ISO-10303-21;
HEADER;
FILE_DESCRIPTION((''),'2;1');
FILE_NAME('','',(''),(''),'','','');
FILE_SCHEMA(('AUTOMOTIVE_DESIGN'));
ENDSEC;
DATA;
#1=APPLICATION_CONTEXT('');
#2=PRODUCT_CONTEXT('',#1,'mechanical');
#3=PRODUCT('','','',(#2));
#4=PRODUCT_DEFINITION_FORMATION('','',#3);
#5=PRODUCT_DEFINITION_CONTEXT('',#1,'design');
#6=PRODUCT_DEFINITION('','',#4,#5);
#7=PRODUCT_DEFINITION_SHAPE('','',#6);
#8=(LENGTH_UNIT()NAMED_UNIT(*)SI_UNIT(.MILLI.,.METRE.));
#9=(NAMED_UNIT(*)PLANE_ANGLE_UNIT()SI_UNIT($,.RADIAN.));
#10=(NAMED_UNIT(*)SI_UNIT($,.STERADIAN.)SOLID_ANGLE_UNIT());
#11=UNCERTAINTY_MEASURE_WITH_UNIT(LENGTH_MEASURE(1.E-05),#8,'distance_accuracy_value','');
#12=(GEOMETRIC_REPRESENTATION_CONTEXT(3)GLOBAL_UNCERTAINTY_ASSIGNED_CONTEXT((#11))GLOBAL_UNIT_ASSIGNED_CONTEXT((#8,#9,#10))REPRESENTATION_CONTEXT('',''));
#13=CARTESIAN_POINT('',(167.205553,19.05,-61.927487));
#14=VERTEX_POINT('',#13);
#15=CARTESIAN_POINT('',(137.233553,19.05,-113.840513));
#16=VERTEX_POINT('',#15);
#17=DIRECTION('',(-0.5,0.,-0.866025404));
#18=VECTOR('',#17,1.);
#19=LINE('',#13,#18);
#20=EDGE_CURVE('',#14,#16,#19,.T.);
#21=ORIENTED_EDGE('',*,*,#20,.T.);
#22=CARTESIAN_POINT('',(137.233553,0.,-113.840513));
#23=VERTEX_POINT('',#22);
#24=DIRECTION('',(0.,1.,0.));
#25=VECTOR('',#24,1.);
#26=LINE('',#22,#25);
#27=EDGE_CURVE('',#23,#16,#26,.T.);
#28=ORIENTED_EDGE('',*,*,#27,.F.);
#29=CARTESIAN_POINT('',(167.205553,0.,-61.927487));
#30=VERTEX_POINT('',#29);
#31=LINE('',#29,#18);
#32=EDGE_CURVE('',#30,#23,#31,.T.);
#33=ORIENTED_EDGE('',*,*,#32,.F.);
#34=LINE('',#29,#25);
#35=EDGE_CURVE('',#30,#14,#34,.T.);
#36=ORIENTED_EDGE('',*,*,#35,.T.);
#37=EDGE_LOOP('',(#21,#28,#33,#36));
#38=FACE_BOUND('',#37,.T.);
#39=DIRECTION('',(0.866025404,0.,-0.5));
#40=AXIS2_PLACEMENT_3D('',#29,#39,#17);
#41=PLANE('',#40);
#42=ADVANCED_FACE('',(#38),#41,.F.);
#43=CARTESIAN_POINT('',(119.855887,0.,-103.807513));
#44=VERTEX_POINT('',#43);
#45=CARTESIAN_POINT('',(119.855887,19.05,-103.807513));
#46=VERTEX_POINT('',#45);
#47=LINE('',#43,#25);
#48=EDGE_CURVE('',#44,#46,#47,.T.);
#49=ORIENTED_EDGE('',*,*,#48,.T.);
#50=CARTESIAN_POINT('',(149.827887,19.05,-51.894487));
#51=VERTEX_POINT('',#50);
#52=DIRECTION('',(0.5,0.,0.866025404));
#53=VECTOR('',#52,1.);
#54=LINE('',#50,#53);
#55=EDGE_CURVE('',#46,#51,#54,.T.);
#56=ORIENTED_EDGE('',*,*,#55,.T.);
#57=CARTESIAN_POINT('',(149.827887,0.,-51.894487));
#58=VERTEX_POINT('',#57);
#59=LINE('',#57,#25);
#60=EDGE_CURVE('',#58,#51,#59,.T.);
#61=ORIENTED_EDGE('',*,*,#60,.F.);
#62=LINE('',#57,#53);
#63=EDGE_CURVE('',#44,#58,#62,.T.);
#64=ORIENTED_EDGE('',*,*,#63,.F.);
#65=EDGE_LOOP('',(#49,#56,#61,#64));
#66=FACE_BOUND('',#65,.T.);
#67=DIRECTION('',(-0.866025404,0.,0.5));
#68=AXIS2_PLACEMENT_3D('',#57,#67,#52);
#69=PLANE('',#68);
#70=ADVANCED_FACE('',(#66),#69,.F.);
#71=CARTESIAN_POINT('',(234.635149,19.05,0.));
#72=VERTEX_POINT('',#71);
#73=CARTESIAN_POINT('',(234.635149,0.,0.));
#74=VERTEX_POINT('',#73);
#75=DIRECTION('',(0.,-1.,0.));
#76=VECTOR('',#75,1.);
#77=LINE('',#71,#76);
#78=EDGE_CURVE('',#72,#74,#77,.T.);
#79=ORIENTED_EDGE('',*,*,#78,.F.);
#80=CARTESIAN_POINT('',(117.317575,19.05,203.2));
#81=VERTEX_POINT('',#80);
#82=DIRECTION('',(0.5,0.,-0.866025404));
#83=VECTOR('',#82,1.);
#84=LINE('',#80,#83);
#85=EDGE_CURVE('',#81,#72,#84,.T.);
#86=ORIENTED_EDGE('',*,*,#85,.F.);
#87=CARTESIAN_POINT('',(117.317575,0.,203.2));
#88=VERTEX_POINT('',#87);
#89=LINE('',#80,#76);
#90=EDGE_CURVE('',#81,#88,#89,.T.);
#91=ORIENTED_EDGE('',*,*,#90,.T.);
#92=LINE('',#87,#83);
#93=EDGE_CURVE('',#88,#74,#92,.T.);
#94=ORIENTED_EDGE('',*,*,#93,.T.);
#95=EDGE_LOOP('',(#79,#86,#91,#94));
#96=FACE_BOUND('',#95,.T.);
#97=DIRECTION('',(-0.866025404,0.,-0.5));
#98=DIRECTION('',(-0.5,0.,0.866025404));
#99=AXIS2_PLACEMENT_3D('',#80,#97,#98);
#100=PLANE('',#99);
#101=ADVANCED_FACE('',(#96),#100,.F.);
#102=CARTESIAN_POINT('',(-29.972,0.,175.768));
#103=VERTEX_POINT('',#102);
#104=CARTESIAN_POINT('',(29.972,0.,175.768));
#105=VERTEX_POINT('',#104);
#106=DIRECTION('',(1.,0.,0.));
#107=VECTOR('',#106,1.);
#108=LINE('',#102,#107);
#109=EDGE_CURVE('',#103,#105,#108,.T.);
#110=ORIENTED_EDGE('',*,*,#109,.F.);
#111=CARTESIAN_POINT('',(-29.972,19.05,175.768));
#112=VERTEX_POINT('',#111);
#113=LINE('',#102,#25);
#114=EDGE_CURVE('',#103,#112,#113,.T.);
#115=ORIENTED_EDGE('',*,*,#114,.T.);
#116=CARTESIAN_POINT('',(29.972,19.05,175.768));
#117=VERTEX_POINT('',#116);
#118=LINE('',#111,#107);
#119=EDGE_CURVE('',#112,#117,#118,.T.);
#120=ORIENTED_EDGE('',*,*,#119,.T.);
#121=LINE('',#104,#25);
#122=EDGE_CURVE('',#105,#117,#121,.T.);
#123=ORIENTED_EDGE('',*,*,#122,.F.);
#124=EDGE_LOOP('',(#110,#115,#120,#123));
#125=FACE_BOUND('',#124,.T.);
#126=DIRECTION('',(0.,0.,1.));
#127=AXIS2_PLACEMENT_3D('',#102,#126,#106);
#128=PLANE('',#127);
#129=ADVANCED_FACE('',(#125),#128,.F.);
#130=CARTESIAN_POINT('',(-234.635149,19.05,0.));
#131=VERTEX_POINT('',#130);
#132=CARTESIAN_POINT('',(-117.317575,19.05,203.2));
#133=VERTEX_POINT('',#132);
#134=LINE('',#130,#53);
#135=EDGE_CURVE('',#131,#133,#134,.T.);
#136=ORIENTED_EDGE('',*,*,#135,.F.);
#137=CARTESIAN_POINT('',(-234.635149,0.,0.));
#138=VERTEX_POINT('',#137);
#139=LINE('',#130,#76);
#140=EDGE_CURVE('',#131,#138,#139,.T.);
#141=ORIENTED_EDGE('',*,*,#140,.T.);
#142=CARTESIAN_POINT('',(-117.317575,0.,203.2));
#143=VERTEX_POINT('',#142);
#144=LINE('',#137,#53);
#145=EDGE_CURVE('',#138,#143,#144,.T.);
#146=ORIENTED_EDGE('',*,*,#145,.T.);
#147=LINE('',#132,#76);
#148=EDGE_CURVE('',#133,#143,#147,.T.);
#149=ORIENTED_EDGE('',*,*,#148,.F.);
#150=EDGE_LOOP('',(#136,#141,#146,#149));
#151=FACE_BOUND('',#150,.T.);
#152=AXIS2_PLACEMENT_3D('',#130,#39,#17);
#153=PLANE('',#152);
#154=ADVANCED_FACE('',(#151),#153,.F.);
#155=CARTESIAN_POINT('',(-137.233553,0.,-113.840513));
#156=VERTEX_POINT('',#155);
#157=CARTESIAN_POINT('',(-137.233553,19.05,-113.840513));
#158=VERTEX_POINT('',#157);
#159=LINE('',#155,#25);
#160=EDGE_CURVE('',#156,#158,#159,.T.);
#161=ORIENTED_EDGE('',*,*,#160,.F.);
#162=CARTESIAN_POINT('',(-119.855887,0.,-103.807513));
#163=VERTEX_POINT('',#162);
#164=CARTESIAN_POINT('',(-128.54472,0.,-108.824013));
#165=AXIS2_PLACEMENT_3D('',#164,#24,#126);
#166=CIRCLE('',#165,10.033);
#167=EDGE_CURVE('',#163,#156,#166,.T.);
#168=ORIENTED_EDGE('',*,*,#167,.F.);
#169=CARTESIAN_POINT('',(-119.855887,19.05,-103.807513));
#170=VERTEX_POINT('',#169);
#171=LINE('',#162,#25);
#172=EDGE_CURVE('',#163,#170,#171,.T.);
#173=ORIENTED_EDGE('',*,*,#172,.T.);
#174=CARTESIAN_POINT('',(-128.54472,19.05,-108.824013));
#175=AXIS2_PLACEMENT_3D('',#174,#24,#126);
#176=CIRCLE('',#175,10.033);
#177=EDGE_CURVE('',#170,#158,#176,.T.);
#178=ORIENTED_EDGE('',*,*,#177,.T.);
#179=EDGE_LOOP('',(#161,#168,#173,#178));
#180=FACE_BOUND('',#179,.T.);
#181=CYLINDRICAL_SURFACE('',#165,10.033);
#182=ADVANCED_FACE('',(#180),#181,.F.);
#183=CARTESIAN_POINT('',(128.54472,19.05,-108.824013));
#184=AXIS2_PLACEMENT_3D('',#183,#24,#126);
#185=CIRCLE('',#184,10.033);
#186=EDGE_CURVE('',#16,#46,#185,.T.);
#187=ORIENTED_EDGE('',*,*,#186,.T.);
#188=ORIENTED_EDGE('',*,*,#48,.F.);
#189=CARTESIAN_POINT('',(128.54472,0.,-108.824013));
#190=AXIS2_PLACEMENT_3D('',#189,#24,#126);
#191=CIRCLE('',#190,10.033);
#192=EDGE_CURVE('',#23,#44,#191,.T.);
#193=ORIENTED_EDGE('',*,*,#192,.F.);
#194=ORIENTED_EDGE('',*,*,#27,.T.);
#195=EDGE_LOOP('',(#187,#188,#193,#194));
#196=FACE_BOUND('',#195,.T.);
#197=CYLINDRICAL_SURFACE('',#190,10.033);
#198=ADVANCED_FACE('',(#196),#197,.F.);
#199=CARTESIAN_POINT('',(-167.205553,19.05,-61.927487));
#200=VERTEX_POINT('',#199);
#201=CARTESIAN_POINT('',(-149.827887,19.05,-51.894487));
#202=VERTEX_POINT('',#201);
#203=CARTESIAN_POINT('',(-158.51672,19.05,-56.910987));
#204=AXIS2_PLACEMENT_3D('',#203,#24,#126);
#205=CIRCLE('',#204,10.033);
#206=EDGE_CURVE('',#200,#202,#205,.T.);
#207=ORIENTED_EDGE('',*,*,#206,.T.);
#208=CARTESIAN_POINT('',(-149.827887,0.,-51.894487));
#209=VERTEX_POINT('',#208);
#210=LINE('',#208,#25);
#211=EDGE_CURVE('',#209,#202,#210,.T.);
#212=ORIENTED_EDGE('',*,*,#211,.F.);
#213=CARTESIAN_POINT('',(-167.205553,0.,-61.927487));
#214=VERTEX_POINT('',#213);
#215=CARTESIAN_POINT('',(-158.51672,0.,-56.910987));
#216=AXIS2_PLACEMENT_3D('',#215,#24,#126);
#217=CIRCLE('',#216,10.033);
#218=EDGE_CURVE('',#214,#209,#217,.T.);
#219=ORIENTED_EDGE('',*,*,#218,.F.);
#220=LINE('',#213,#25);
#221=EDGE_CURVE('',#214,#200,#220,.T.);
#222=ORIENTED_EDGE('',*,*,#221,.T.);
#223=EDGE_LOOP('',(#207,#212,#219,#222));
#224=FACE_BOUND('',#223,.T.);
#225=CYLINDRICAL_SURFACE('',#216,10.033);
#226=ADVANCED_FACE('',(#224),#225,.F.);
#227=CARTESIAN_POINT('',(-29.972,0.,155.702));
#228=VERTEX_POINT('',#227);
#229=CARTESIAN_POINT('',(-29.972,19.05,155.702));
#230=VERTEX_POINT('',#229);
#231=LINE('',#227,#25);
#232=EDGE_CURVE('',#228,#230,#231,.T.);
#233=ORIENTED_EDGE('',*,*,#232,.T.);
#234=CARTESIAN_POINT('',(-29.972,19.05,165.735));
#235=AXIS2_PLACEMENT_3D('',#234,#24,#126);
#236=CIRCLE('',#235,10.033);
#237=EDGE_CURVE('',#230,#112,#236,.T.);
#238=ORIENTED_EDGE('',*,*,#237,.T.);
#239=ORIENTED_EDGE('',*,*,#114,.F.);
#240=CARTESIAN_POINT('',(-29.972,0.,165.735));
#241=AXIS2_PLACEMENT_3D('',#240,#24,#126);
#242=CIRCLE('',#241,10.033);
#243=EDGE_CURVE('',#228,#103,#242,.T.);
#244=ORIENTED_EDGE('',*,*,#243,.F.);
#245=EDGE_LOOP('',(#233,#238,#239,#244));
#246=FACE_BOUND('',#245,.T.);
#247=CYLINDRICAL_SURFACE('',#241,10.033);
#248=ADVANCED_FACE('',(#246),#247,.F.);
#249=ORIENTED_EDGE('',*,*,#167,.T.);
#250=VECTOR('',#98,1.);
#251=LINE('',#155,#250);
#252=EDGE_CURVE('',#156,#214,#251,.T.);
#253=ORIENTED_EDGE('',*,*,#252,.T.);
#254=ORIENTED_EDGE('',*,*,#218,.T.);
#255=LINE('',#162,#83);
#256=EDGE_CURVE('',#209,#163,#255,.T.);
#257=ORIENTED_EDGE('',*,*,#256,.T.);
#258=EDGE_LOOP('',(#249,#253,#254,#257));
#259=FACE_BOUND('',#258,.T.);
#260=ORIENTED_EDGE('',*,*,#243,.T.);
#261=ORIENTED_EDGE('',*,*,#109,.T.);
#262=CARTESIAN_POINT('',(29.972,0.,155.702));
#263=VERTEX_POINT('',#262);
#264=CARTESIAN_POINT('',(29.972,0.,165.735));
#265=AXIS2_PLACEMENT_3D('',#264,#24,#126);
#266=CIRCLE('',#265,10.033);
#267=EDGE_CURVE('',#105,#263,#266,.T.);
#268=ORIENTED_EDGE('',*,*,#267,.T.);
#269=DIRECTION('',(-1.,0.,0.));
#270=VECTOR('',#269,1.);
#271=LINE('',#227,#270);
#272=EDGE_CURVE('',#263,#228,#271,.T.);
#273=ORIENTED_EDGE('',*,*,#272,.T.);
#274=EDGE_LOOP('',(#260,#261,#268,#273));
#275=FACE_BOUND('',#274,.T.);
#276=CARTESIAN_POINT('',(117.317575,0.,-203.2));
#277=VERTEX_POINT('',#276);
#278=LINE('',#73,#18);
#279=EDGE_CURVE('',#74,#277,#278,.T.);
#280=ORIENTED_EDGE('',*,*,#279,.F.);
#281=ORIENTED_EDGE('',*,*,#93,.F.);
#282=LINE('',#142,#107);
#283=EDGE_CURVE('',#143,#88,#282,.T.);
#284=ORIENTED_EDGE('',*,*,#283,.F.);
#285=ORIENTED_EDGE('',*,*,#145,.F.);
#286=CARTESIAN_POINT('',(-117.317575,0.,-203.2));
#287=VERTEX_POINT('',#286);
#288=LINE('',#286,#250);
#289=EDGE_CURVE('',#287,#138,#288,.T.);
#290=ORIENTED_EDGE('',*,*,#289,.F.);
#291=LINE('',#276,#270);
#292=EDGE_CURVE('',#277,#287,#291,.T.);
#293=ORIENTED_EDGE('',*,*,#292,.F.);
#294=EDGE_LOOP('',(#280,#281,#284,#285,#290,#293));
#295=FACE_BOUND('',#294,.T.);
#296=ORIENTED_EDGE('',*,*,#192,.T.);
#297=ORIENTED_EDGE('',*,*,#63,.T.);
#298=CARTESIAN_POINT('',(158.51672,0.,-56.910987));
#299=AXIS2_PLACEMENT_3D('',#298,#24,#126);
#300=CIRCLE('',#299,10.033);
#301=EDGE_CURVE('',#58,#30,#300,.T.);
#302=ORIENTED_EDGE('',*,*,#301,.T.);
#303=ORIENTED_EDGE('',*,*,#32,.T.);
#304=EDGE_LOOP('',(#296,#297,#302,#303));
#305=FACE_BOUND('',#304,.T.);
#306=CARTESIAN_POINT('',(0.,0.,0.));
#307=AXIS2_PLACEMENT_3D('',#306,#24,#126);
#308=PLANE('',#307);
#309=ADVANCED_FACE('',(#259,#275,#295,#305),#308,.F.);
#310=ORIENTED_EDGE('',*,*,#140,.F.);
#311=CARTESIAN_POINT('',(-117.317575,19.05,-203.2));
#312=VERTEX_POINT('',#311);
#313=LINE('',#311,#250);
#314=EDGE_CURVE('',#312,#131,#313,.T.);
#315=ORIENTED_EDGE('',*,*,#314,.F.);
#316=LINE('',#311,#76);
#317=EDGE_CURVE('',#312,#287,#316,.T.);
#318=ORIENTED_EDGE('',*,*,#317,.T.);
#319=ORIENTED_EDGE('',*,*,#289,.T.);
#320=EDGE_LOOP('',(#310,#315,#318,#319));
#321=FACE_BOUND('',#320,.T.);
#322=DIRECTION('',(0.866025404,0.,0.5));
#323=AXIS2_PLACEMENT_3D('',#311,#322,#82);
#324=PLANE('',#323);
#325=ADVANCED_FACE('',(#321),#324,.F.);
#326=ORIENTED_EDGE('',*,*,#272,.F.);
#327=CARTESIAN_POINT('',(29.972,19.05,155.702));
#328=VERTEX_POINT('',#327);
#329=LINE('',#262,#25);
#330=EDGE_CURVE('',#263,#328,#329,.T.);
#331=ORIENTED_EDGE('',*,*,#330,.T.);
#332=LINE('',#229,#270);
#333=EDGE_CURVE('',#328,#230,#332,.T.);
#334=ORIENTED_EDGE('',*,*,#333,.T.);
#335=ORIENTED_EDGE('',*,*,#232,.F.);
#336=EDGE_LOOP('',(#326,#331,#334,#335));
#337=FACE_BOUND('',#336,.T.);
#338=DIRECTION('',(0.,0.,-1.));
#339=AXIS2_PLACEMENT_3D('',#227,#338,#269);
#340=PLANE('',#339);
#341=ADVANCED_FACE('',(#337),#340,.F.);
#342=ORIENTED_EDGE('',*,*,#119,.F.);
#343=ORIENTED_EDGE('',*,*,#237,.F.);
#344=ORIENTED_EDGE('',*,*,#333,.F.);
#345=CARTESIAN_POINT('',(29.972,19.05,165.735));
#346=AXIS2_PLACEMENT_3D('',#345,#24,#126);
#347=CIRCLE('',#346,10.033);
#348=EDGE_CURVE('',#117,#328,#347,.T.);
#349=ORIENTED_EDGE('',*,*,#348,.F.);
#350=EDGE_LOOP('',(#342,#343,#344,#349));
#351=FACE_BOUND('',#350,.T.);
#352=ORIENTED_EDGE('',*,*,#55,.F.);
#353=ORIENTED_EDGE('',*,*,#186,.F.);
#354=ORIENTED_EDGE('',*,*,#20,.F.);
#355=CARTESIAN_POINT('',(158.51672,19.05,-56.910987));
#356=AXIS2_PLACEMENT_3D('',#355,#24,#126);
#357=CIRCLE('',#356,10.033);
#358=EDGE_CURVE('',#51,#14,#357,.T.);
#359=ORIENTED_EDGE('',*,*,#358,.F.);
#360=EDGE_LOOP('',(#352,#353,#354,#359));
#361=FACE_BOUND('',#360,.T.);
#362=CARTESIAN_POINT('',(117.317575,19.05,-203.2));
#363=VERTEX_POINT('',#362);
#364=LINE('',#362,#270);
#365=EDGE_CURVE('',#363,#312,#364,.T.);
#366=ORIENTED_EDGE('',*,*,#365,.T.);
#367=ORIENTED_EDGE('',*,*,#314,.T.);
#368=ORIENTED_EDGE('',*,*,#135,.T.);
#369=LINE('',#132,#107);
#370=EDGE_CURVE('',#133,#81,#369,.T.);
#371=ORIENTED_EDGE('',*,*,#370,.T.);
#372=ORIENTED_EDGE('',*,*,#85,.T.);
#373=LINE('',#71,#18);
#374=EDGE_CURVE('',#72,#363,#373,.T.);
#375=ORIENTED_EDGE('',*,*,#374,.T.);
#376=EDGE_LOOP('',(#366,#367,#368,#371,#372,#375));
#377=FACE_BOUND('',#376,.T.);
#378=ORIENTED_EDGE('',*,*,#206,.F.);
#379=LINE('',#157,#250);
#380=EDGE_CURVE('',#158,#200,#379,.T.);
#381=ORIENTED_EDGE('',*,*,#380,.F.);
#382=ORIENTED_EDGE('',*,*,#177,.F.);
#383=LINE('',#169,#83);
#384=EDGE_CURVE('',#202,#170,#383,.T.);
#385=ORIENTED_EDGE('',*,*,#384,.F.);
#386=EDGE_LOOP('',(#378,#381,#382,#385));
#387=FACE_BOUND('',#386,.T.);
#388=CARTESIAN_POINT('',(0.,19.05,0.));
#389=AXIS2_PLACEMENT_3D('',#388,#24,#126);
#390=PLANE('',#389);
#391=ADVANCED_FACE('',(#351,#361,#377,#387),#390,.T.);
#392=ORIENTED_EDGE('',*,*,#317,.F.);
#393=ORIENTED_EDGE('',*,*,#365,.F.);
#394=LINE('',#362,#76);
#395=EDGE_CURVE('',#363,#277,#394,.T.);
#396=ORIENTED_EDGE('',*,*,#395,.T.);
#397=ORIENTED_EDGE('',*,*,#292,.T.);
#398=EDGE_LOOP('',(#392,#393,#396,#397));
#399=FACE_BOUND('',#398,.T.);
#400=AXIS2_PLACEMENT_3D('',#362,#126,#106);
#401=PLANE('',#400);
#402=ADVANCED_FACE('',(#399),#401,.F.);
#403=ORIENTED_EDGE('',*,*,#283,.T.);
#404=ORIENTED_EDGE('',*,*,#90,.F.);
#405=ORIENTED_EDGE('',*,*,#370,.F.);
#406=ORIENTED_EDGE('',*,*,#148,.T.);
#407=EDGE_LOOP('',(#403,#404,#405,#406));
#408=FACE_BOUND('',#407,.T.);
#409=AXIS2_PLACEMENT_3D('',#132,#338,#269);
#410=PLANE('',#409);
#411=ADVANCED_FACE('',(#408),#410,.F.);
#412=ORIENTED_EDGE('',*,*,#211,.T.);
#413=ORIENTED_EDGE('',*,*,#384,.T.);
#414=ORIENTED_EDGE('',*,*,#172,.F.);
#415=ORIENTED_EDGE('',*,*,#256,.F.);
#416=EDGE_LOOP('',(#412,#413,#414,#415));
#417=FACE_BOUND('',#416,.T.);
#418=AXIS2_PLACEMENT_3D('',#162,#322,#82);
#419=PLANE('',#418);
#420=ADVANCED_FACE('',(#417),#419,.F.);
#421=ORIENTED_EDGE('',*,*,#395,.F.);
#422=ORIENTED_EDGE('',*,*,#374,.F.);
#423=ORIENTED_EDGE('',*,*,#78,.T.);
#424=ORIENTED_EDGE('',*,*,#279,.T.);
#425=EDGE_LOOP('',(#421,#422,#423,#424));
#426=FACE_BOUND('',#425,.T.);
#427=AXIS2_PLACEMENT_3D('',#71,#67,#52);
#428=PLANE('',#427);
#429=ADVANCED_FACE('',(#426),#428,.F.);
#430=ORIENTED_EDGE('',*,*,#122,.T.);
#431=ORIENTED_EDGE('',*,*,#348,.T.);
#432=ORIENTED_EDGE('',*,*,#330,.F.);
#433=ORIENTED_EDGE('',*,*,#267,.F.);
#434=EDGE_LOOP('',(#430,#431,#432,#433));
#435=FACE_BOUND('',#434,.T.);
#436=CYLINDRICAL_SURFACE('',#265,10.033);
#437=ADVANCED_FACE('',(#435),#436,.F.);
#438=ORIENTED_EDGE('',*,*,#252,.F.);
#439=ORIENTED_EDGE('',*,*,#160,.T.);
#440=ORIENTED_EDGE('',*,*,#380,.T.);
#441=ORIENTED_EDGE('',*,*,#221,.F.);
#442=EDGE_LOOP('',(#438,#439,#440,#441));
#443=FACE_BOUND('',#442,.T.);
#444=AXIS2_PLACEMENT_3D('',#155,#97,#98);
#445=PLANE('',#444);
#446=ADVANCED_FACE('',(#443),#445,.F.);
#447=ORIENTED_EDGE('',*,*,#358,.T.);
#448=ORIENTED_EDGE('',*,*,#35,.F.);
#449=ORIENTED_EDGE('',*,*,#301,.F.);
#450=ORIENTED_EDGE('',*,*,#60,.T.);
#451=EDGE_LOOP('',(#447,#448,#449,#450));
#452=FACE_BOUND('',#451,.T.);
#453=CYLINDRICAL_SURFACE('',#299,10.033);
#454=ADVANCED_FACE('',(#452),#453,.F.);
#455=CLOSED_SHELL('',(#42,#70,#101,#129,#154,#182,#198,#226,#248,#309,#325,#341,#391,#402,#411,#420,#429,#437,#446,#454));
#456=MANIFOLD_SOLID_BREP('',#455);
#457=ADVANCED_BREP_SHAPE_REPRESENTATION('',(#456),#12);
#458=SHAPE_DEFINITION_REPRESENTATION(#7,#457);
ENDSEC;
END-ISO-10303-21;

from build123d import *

# Parameters (mm, degrees)
BOSS_EXTRUDE1_DEPTH = 19.05
CUT_EXTRUDE1_DEPTH  = 311.977162881


with BuildPart() as part:
    # Sketch1 → Boss-Extrude1 (new body)
    with BuildSketch(Plane(origin=(0, 0, 0), x_dir=(1, 0, 0), z_dir=(0, 1, 0))):
        Polygon((-234.635149399, 0), (-117.317574699, -203.2), (117.317574699, -203.2), (234.635149399, 0), (117.317574699, 203.2), (-117.317574699, 203.2), align=None)
    extrude(amount=BOSS_EXTRUDE1_DEPTH)

    # Sketch2 → Cut-Extrude1 (cut, through all)
    with BuildSketch(Plane(origin=(0, 19.05, 0), x_dir=(1, 0, 0), z_dir=(0, 1, 0))):
        with BuildLine():
            Line((-29.972, -155.702), (29.972, -155.702))
            ThreePointArc((29.972, -155.702), (40.005, -165.735), (29.972, -175.768))
            Line((29.972, -175.768), (-29.972, -175.768))
            ThreePointArc((-29.972, -175.768), (-40.005, -165.735), (-29.972, -155.702))
        make_face()
        with BuildLine():
            Line((-119.85588742, 103.807513402), (-149.82788742, 51.894486598))
            ThreePointArc((-149.82788742, 51.894486598), (-163.533220296, 48.222153722), (-167.205553172, 61.927486598))
            Line((-167.205553172, 61.927486598), (-137.233553172, 113.840513402))
            ThreePointArc((-137.233553172, 113.840513402), (-123.528220296, 117.512846278), (-119.85588742, 103.807513402))
        make_face()
        with BuildLine():
            Line((149.82788742, 51.894486598), (119.85588742, 103.807513402))
            ThreePointArc((119.85588742, 103.807513402), (123.528220296, 117.512846278), (137.233553172, 113.840513402))
            Line((137.233553172, 113.840513402), (167.205553172, 61.927486598))
            ThreePointArc((167.205553172, 61.927486598), (163.533220296, 48.222153722), (149.82788742, 51.894486598))
        make_face()
    extrude(amount=-CUT_EXTRUDE1_DEPTH, mode=Mode.SUBTRACT)


solid = part.part
